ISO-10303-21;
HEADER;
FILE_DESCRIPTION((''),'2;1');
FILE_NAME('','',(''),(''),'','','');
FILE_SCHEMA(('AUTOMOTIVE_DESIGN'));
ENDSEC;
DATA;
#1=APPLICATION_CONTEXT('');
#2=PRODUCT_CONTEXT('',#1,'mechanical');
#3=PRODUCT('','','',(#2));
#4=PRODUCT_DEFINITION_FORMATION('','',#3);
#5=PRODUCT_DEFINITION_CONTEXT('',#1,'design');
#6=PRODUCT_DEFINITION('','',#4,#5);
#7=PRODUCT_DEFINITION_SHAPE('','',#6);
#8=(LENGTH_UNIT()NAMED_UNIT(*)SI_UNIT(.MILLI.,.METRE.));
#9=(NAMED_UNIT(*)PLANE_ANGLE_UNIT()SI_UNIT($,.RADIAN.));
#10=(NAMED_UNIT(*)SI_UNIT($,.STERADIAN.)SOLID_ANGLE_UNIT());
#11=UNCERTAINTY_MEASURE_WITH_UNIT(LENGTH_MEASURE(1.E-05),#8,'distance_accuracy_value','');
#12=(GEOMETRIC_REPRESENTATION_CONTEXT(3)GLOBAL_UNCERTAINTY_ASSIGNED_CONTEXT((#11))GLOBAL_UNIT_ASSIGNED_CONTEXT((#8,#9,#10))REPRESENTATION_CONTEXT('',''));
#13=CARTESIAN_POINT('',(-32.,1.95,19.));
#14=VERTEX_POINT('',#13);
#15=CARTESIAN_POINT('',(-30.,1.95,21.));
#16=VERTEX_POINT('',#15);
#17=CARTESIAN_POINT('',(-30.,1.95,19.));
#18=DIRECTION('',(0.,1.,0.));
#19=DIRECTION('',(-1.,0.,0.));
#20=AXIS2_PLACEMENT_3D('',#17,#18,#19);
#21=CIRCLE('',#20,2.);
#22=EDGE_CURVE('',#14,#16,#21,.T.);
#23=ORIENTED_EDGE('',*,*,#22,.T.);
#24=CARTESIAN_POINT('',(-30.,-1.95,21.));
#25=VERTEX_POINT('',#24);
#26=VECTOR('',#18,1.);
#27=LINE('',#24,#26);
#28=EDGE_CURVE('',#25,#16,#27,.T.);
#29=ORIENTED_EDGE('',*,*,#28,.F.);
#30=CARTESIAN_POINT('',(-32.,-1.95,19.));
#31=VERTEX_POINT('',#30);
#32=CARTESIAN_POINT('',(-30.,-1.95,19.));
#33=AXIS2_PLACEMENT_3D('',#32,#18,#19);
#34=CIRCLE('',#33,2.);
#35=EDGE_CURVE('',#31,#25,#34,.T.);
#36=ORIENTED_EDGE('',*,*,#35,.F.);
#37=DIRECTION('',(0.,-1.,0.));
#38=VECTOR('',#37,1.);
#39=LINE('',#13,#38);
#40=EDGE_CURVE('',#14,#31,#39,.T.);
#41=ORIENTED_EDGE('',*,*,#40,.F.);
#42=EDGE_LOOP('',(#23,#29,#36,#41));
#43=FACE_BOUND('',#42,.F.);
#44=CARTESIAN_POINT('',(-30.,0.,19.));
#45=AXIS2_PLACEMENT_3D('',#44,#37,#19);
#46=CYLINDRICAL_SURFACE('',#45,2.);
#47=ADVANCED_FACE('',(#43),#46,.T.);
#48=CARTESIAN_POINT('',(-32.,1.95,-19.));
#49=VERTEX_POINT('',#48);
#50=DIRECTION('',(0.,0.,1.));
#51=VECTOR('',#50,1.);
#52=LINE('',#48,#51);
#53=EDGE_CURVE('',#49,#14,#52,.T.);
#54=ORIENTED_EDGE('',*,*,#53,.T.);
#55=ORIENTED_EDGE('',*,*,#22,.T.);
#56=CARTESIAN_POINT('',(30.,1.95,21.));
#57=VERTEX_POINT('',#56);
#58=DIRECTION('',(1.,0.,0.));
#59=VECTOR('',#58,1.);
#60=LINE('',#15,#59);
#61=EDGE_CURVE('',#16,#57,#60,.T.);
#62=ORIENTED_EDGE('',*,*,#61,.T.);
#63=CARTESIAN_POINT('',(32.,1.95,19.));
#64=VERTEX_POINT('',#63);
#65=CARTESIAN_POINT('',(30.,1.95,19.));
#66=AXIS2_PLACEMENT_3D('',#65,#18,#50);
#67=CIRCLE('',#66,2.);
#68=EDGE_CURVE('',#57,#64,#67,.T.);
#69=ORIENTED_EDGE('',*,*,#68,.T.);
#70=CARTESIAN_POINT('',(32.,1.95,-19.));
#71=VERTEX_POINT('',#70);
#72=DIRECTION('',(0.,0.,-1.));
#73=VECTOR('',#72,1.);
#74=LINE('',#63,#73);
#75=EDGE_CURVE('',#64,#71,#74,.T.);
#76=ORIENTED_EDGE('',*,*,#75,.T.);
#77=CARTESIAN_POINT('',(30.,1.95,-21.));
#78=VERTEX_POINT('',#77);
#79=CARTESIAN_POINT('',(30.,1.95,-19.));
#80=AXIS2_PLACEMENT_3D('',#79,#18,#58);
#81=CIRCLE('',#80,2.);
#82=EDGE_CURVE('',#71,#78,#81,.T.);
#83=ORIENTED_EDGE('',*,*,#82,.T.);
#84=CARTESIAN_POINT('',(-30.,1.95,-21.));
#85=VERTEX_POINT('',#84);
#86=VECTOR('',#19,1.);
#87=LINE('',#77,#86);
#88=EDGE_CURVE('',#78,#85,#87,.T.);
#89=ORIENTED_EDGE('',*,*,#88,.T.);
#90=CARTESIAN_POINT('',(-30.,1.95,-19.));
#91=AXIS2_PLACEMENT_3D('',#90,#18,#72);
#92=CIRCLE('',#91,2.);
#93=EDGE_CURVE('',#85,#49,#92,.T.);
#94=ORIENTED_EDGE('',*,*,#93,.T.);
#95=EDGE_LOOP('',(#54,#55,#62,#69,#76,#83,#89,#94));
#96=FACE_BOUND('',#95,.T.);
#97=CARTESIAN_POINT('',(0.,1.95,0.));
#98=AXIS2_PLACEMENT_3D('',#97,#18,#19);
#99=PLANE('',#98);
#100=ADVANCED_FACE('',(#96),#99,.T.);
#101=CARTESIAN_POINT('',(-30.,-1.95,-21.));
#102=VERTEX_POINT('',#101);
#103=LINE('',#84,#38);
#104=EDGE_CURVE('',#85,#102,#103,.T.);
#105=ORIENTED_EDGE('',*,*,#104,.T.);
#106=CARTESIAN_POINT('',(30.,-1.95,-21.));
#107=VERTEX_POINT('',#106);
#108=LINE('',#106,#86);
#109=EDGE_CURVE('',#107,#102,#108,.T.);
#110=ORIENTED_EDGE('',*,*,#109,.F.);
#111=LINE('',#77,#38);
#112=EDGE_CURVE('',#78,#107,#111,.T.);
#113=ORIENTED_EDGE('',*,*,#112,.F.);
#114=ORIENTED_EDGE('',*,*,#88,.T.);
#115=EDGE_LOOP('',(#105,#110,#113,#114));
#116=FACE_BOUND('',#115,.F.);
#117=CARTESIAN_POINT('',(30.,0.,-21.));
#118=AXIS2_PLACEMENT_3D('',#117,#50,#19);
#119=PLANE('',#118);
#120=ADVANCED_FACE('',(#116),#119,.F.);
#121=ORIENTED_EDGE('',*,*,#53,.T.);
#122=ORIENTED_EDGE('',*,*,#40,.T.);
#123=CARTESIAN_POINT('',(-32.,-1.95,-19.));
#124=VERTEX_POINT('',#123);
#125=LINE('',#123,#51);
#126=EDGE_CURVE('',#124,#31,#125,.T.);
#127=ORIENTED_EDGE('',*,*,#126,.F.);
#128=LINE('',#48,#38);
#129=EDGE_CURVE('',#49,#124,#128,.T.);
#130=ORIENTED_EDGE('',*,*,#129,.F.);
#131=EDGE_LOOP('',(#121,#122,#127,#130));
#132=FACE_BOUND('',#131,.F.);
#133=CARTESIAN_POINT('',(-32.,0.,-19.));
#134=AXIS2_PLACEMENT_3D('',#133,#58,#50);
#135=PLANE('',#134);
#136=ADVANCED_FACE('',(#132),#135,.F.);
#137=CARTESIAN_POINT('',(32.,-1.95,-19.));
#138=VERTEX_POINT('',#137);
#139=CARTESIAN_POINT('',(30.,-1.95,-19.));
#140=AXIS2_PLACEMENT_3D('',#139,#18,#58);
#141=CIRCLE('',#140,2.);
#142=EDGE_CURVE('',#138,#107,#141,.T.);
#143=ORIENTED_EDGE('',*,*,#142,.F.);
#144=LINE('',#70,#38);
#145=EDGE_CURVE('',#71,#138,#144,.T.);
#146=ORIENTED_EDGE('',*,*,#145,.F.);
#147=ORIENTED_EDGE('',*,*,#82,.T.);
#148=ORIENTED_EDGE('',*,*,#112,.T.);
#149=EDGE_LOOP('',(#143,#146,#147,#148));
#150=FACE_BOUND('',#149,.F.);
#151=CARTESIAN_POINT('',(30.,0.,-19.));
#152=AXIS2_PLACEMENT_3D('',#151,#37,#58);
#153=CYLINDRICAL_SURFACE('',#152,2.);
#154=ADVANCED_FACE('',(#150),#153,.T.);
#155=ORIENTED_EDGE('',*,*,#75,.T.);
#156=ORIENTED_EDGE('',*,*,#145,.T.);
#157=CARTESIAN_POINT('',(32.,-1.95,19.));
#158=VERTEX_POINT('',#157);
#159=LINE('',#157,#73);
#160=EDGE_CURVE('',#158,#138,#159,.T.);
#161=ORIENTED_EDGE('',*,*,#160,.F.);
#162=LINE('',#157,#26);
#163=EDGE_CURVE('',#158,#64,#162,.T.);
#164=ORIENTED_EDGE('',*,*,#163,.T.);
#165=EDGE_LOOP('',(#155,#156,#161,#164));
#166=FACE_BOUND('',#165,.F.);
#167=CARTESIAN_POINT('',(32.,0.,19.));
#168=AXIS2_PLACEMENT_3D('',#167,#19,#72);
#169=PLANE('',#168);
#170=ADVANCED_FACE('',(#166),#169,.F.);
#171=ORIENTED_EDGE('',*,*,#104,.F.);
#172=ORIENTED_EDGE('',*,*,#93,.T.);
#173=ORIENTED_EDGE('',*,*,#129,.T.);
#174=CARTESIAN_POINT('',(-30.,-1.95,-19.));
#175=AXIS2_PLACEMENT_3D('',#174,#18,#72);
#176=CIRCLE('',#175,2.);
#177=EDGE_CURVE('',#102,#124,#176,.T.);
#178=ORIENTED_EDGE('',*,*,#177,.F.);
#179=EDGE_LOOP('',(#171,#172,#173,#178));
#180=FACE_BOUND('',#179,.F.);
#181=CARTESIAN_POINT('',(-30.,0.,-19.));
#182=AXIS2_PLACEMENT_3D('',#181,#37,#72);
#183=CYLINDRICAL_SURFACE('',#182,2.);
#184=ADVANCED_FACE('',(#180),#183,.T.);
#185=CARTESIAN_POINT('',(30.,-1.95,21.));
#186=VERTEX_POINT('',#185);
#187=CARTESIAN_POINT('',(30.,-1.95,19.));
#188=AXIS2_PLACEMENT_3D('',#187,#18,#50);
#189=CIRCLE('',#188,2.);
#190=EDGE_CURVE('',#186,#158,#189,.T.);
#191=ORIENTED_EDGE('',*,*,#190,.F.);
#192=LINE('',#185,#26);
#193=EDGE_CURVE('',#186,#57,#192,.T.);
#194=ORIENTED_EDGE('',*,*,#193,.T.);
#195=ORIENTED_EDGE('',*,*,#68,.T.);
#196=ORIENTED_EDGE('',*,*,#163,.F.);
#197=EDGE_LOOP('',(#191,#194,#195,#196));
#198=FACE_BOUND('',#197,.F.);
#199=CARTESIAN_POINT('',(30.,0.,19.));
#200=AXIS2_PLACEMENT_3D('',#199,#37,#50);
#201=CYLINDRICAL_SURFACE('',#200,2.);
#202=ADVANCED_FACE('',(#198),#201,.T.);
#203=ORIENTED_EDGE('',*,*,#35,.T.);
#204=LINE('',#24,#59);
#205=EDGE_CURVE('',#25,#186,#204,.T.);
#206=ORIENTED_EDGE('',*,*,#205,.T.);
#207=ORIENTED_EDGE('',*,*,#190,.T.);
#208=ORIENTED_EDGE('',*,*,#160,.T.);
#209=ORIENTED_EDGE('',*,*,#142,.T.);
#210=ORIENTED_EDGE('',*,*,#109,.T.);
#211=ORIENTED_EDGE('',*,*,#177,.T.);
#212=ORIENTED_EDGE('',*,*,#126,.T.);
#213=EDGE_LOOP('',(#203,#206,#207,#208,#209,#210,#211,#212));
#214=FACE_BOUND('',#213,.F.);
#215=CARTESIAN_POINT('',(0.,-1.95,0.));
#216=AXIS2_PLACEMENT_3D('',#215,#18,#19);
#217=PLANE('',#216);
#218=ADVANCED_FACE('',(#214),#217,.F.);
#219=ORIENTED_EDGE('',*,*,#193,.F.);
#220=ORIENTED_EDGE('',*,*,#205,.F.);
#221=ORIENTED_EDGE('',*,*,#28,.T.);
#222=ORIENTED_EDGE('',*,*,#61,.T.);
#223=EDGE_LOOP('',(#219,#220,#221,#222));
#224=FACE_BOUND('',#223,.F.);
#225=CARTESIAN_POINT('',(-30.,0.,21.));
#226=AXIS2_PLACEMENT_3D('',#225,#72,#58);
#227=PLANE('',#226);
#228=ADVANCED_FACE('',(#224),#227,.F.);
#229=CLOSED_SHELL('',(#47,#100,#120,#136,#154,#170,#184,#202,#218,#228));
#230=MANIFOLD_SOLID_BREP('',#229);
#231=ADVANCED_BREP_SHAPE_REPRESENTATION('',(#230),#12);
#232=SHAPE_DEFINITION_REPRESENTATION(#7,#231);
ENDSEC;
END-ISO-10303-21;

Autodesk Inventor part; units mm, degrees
ref_plane "YZ Plane" through (0, 0, 0) normal (1, 0, 0) x (0, 1, 0)
ref_plane "XZ Plane" through (0, 0, 0) normal (0, 1, 0) x (-1, 0, 0)
ref_plane "XY Plane" through (0, 0, 0) normal (0, 0, 1) x (1, 0, 0)
sketch "Sketch1" plane through (0, 0, 0) normal (0, 1, 0) x (-1, 0, 0)
  line L0 (30, 21) -> (-30, 21)
  line L1 (-32, 19) -> (-32, -19)
  line L2 (-30, -21) -> (30, -21)
  line L3 (32, -19) -> (32, 19)
  line L4 (32, 21) -> (-32, -21) construction
  line L5 (-32, 21) -> (32, -21) construction
  arc A0 (30, -21) -> (32, -19) centre (30, -19) ccw
  arc A1 (32, 19) -> (30, 21) centre (30, 19) ccw
  arc A2 (-30, 21) -> (-32, 19) centre (-30, 19) ccw
  arc A3 (-32, -19) -> (-30, -21) centre (-30, -19) ccw
  point P0 (0, 0)
  dimension "d0" = 64
  dimension "d1" = 42
  dimension "d2" = 2
extrude "Extrusion1" add sketch "Sketch1" along normal mid plane 3.9
properties part number "FactionSpecial_Council_Cards_all" material "Paper"
